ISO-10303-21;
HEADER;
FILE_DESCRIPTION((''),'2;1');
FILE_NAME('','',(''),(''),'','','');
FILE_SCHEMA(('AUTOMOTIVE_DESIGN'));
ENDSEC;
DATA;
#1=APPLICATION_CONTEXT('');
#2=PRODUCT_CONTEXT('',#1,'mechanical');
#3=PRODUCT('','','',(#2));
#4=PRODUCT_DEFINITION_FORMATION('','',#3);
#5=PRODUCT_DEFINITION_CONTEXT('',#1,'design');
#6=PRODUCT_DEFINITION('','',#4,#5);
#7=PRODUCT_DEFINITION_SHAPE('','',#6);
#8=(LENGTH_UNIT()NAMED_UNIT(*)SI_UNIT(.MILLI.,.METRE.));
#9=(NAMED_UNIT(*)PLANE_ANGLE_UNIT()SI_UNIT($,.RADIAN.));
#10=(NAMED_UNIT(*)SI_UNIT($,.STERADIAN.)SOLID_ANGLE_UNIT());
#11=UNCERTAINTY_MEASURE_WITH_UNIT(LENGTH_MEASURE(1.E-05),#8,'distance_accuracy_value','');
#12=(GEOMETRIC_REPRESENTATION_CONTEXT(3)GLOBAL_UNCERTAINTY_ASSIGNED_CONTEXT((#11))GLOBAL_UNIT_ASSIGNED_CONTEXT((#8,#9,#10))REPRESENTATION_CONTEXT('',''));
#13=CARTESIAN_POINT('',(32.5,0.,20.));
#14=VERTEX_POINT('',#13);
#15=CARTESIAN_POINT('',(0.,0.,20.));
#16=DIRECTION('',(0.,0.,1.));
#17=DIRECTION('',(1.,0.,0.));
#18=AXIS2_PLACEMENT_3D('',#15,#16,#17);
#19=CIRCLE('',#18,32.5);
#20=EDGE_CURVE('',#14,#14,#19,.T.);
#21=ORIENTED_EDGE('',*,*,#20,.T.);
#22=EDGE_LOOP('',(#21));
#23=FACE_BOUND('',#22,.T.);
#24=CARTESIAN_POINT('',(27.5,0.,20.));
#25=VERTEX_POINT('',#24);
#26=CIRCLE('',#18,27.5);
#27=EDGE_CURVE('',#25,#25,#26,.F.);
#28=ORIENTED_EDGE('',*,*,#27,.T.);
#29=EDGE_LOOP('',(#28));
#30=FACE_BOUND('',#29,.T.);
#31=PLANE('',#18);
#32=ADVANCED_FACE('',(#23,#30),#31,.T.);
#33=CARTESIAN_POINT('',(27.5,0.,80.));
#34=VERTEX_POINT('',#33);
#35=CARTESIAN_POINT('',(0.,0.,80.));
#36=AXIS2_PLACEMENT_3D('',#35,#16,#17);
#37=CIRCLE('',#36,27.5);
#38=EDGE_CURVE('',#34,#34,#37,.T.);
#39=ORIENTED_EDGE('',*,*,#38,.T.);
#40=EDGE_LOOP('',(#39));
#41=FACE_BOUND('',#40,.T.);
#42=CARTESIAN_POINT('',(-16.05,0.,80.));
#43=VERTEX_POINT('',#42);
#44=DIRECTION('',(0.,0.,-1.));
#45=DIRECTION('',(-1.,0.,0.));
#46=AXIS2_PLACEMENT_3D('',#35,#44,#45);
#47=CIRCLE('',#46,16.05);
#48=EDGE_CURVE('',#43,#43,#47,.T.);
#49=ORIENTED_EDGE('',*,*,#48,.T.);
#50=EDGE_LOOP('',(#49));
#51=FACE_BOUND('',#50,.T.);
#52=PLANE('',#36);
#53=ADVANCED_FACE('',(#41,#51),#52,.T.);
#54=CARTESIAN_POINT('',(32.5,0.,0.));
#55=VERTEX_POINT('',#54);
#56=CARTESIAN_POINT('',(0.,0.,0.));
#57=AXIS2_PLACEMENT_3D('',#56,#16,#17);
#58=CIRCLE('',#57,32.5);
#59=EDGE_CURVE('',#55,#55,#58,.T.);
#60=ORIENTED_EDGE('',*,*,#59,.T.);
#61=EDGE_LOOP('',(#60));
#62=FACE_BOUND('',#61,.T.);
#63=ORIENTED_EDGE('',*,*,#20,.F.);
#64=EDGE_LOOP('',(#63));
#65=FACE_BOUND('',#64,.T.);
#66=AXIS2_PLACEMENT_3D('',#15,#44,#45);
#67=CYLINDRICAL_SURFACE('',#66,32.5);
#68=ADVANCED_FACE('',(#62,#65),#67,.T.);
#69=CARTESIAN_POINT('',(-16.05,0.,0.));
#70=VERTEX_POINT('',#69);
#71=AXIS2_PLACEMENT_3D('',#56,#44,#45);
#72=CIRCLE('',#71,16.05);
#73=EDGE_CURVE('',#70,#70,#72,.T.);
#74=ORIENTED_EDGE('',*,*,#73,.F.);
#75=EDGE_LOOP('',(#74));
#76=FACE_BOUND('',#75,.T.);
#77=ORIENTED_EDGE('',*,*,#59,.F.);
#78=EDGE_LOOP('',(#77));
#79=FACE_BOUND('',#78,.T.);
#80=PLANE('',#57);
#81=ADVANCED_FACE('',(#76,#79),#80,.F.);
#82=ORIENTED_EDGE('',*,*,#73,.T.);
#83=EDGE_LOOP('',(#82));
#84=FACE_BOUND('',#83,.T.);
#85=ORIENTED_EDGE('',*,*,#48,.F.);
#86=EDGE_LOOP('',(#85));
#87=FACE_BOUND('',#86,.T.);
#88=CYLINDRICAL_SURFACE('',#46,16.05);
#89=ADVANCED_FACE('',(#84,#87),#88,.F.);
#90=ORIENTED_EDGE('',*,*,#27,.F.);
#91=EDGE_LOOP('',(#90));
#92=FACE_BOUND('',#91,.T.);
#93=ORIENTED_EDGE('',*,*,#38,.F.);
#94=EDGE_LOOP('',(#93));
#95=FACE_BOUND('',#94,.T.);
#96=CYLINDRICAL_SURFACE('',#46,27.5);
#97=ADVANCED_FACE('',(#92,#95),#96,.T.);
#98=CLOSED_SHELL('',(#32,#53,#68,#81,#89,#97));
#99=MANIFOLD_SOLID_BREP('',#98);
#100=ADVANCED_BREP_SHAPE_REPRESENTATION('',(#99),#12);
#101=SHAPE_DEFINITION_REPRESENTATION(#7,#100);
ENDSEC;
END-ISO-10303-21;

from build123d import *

# Parameters (mm, degrees)
ESQUISSE1_R             = 32.5
BOSS_EXTRU_1_DEPTH      = 20
ESQUISSE2_R             = 27.5
BOSS_EXTRU_2_DEPTH      = 80
ESQUISSE3_R             = 16.05
ENL_V_MAT_EXTRU_1_DEPTH = 81


with BuildPart() as part:
    # Esquisse1 → Boss.-Extru.1 (new body)
    with BuildSketch(Plane.XY):
        Circle(ESQUISSE1_R)
    extrude(amount=BOSS_EXTRU_1_DEPTH)

    # Esquisse2 → Boss.-Extru.2 (add)
    with BuildSketch(Plane.XY):
        Circle(ESQUISSE2_R)
    extrude(amount=BOSS_EXTRU_2_DEPTH)

    # Esquisse3 → Enlèv. mat.-Extru.1 (cut, through all)
    with BuildSketch(Plane(origin=(0, 0, 0), x_dir=(-1, 0, 0), z_dir=(0, 0, -1))):
        Circle(ESQUISSE3_R)
    extrude(amount=-ENL_V_MAT_EXTRU_1_DEPTH, mode=Mode.SUBTRACT)


solid = part.part
